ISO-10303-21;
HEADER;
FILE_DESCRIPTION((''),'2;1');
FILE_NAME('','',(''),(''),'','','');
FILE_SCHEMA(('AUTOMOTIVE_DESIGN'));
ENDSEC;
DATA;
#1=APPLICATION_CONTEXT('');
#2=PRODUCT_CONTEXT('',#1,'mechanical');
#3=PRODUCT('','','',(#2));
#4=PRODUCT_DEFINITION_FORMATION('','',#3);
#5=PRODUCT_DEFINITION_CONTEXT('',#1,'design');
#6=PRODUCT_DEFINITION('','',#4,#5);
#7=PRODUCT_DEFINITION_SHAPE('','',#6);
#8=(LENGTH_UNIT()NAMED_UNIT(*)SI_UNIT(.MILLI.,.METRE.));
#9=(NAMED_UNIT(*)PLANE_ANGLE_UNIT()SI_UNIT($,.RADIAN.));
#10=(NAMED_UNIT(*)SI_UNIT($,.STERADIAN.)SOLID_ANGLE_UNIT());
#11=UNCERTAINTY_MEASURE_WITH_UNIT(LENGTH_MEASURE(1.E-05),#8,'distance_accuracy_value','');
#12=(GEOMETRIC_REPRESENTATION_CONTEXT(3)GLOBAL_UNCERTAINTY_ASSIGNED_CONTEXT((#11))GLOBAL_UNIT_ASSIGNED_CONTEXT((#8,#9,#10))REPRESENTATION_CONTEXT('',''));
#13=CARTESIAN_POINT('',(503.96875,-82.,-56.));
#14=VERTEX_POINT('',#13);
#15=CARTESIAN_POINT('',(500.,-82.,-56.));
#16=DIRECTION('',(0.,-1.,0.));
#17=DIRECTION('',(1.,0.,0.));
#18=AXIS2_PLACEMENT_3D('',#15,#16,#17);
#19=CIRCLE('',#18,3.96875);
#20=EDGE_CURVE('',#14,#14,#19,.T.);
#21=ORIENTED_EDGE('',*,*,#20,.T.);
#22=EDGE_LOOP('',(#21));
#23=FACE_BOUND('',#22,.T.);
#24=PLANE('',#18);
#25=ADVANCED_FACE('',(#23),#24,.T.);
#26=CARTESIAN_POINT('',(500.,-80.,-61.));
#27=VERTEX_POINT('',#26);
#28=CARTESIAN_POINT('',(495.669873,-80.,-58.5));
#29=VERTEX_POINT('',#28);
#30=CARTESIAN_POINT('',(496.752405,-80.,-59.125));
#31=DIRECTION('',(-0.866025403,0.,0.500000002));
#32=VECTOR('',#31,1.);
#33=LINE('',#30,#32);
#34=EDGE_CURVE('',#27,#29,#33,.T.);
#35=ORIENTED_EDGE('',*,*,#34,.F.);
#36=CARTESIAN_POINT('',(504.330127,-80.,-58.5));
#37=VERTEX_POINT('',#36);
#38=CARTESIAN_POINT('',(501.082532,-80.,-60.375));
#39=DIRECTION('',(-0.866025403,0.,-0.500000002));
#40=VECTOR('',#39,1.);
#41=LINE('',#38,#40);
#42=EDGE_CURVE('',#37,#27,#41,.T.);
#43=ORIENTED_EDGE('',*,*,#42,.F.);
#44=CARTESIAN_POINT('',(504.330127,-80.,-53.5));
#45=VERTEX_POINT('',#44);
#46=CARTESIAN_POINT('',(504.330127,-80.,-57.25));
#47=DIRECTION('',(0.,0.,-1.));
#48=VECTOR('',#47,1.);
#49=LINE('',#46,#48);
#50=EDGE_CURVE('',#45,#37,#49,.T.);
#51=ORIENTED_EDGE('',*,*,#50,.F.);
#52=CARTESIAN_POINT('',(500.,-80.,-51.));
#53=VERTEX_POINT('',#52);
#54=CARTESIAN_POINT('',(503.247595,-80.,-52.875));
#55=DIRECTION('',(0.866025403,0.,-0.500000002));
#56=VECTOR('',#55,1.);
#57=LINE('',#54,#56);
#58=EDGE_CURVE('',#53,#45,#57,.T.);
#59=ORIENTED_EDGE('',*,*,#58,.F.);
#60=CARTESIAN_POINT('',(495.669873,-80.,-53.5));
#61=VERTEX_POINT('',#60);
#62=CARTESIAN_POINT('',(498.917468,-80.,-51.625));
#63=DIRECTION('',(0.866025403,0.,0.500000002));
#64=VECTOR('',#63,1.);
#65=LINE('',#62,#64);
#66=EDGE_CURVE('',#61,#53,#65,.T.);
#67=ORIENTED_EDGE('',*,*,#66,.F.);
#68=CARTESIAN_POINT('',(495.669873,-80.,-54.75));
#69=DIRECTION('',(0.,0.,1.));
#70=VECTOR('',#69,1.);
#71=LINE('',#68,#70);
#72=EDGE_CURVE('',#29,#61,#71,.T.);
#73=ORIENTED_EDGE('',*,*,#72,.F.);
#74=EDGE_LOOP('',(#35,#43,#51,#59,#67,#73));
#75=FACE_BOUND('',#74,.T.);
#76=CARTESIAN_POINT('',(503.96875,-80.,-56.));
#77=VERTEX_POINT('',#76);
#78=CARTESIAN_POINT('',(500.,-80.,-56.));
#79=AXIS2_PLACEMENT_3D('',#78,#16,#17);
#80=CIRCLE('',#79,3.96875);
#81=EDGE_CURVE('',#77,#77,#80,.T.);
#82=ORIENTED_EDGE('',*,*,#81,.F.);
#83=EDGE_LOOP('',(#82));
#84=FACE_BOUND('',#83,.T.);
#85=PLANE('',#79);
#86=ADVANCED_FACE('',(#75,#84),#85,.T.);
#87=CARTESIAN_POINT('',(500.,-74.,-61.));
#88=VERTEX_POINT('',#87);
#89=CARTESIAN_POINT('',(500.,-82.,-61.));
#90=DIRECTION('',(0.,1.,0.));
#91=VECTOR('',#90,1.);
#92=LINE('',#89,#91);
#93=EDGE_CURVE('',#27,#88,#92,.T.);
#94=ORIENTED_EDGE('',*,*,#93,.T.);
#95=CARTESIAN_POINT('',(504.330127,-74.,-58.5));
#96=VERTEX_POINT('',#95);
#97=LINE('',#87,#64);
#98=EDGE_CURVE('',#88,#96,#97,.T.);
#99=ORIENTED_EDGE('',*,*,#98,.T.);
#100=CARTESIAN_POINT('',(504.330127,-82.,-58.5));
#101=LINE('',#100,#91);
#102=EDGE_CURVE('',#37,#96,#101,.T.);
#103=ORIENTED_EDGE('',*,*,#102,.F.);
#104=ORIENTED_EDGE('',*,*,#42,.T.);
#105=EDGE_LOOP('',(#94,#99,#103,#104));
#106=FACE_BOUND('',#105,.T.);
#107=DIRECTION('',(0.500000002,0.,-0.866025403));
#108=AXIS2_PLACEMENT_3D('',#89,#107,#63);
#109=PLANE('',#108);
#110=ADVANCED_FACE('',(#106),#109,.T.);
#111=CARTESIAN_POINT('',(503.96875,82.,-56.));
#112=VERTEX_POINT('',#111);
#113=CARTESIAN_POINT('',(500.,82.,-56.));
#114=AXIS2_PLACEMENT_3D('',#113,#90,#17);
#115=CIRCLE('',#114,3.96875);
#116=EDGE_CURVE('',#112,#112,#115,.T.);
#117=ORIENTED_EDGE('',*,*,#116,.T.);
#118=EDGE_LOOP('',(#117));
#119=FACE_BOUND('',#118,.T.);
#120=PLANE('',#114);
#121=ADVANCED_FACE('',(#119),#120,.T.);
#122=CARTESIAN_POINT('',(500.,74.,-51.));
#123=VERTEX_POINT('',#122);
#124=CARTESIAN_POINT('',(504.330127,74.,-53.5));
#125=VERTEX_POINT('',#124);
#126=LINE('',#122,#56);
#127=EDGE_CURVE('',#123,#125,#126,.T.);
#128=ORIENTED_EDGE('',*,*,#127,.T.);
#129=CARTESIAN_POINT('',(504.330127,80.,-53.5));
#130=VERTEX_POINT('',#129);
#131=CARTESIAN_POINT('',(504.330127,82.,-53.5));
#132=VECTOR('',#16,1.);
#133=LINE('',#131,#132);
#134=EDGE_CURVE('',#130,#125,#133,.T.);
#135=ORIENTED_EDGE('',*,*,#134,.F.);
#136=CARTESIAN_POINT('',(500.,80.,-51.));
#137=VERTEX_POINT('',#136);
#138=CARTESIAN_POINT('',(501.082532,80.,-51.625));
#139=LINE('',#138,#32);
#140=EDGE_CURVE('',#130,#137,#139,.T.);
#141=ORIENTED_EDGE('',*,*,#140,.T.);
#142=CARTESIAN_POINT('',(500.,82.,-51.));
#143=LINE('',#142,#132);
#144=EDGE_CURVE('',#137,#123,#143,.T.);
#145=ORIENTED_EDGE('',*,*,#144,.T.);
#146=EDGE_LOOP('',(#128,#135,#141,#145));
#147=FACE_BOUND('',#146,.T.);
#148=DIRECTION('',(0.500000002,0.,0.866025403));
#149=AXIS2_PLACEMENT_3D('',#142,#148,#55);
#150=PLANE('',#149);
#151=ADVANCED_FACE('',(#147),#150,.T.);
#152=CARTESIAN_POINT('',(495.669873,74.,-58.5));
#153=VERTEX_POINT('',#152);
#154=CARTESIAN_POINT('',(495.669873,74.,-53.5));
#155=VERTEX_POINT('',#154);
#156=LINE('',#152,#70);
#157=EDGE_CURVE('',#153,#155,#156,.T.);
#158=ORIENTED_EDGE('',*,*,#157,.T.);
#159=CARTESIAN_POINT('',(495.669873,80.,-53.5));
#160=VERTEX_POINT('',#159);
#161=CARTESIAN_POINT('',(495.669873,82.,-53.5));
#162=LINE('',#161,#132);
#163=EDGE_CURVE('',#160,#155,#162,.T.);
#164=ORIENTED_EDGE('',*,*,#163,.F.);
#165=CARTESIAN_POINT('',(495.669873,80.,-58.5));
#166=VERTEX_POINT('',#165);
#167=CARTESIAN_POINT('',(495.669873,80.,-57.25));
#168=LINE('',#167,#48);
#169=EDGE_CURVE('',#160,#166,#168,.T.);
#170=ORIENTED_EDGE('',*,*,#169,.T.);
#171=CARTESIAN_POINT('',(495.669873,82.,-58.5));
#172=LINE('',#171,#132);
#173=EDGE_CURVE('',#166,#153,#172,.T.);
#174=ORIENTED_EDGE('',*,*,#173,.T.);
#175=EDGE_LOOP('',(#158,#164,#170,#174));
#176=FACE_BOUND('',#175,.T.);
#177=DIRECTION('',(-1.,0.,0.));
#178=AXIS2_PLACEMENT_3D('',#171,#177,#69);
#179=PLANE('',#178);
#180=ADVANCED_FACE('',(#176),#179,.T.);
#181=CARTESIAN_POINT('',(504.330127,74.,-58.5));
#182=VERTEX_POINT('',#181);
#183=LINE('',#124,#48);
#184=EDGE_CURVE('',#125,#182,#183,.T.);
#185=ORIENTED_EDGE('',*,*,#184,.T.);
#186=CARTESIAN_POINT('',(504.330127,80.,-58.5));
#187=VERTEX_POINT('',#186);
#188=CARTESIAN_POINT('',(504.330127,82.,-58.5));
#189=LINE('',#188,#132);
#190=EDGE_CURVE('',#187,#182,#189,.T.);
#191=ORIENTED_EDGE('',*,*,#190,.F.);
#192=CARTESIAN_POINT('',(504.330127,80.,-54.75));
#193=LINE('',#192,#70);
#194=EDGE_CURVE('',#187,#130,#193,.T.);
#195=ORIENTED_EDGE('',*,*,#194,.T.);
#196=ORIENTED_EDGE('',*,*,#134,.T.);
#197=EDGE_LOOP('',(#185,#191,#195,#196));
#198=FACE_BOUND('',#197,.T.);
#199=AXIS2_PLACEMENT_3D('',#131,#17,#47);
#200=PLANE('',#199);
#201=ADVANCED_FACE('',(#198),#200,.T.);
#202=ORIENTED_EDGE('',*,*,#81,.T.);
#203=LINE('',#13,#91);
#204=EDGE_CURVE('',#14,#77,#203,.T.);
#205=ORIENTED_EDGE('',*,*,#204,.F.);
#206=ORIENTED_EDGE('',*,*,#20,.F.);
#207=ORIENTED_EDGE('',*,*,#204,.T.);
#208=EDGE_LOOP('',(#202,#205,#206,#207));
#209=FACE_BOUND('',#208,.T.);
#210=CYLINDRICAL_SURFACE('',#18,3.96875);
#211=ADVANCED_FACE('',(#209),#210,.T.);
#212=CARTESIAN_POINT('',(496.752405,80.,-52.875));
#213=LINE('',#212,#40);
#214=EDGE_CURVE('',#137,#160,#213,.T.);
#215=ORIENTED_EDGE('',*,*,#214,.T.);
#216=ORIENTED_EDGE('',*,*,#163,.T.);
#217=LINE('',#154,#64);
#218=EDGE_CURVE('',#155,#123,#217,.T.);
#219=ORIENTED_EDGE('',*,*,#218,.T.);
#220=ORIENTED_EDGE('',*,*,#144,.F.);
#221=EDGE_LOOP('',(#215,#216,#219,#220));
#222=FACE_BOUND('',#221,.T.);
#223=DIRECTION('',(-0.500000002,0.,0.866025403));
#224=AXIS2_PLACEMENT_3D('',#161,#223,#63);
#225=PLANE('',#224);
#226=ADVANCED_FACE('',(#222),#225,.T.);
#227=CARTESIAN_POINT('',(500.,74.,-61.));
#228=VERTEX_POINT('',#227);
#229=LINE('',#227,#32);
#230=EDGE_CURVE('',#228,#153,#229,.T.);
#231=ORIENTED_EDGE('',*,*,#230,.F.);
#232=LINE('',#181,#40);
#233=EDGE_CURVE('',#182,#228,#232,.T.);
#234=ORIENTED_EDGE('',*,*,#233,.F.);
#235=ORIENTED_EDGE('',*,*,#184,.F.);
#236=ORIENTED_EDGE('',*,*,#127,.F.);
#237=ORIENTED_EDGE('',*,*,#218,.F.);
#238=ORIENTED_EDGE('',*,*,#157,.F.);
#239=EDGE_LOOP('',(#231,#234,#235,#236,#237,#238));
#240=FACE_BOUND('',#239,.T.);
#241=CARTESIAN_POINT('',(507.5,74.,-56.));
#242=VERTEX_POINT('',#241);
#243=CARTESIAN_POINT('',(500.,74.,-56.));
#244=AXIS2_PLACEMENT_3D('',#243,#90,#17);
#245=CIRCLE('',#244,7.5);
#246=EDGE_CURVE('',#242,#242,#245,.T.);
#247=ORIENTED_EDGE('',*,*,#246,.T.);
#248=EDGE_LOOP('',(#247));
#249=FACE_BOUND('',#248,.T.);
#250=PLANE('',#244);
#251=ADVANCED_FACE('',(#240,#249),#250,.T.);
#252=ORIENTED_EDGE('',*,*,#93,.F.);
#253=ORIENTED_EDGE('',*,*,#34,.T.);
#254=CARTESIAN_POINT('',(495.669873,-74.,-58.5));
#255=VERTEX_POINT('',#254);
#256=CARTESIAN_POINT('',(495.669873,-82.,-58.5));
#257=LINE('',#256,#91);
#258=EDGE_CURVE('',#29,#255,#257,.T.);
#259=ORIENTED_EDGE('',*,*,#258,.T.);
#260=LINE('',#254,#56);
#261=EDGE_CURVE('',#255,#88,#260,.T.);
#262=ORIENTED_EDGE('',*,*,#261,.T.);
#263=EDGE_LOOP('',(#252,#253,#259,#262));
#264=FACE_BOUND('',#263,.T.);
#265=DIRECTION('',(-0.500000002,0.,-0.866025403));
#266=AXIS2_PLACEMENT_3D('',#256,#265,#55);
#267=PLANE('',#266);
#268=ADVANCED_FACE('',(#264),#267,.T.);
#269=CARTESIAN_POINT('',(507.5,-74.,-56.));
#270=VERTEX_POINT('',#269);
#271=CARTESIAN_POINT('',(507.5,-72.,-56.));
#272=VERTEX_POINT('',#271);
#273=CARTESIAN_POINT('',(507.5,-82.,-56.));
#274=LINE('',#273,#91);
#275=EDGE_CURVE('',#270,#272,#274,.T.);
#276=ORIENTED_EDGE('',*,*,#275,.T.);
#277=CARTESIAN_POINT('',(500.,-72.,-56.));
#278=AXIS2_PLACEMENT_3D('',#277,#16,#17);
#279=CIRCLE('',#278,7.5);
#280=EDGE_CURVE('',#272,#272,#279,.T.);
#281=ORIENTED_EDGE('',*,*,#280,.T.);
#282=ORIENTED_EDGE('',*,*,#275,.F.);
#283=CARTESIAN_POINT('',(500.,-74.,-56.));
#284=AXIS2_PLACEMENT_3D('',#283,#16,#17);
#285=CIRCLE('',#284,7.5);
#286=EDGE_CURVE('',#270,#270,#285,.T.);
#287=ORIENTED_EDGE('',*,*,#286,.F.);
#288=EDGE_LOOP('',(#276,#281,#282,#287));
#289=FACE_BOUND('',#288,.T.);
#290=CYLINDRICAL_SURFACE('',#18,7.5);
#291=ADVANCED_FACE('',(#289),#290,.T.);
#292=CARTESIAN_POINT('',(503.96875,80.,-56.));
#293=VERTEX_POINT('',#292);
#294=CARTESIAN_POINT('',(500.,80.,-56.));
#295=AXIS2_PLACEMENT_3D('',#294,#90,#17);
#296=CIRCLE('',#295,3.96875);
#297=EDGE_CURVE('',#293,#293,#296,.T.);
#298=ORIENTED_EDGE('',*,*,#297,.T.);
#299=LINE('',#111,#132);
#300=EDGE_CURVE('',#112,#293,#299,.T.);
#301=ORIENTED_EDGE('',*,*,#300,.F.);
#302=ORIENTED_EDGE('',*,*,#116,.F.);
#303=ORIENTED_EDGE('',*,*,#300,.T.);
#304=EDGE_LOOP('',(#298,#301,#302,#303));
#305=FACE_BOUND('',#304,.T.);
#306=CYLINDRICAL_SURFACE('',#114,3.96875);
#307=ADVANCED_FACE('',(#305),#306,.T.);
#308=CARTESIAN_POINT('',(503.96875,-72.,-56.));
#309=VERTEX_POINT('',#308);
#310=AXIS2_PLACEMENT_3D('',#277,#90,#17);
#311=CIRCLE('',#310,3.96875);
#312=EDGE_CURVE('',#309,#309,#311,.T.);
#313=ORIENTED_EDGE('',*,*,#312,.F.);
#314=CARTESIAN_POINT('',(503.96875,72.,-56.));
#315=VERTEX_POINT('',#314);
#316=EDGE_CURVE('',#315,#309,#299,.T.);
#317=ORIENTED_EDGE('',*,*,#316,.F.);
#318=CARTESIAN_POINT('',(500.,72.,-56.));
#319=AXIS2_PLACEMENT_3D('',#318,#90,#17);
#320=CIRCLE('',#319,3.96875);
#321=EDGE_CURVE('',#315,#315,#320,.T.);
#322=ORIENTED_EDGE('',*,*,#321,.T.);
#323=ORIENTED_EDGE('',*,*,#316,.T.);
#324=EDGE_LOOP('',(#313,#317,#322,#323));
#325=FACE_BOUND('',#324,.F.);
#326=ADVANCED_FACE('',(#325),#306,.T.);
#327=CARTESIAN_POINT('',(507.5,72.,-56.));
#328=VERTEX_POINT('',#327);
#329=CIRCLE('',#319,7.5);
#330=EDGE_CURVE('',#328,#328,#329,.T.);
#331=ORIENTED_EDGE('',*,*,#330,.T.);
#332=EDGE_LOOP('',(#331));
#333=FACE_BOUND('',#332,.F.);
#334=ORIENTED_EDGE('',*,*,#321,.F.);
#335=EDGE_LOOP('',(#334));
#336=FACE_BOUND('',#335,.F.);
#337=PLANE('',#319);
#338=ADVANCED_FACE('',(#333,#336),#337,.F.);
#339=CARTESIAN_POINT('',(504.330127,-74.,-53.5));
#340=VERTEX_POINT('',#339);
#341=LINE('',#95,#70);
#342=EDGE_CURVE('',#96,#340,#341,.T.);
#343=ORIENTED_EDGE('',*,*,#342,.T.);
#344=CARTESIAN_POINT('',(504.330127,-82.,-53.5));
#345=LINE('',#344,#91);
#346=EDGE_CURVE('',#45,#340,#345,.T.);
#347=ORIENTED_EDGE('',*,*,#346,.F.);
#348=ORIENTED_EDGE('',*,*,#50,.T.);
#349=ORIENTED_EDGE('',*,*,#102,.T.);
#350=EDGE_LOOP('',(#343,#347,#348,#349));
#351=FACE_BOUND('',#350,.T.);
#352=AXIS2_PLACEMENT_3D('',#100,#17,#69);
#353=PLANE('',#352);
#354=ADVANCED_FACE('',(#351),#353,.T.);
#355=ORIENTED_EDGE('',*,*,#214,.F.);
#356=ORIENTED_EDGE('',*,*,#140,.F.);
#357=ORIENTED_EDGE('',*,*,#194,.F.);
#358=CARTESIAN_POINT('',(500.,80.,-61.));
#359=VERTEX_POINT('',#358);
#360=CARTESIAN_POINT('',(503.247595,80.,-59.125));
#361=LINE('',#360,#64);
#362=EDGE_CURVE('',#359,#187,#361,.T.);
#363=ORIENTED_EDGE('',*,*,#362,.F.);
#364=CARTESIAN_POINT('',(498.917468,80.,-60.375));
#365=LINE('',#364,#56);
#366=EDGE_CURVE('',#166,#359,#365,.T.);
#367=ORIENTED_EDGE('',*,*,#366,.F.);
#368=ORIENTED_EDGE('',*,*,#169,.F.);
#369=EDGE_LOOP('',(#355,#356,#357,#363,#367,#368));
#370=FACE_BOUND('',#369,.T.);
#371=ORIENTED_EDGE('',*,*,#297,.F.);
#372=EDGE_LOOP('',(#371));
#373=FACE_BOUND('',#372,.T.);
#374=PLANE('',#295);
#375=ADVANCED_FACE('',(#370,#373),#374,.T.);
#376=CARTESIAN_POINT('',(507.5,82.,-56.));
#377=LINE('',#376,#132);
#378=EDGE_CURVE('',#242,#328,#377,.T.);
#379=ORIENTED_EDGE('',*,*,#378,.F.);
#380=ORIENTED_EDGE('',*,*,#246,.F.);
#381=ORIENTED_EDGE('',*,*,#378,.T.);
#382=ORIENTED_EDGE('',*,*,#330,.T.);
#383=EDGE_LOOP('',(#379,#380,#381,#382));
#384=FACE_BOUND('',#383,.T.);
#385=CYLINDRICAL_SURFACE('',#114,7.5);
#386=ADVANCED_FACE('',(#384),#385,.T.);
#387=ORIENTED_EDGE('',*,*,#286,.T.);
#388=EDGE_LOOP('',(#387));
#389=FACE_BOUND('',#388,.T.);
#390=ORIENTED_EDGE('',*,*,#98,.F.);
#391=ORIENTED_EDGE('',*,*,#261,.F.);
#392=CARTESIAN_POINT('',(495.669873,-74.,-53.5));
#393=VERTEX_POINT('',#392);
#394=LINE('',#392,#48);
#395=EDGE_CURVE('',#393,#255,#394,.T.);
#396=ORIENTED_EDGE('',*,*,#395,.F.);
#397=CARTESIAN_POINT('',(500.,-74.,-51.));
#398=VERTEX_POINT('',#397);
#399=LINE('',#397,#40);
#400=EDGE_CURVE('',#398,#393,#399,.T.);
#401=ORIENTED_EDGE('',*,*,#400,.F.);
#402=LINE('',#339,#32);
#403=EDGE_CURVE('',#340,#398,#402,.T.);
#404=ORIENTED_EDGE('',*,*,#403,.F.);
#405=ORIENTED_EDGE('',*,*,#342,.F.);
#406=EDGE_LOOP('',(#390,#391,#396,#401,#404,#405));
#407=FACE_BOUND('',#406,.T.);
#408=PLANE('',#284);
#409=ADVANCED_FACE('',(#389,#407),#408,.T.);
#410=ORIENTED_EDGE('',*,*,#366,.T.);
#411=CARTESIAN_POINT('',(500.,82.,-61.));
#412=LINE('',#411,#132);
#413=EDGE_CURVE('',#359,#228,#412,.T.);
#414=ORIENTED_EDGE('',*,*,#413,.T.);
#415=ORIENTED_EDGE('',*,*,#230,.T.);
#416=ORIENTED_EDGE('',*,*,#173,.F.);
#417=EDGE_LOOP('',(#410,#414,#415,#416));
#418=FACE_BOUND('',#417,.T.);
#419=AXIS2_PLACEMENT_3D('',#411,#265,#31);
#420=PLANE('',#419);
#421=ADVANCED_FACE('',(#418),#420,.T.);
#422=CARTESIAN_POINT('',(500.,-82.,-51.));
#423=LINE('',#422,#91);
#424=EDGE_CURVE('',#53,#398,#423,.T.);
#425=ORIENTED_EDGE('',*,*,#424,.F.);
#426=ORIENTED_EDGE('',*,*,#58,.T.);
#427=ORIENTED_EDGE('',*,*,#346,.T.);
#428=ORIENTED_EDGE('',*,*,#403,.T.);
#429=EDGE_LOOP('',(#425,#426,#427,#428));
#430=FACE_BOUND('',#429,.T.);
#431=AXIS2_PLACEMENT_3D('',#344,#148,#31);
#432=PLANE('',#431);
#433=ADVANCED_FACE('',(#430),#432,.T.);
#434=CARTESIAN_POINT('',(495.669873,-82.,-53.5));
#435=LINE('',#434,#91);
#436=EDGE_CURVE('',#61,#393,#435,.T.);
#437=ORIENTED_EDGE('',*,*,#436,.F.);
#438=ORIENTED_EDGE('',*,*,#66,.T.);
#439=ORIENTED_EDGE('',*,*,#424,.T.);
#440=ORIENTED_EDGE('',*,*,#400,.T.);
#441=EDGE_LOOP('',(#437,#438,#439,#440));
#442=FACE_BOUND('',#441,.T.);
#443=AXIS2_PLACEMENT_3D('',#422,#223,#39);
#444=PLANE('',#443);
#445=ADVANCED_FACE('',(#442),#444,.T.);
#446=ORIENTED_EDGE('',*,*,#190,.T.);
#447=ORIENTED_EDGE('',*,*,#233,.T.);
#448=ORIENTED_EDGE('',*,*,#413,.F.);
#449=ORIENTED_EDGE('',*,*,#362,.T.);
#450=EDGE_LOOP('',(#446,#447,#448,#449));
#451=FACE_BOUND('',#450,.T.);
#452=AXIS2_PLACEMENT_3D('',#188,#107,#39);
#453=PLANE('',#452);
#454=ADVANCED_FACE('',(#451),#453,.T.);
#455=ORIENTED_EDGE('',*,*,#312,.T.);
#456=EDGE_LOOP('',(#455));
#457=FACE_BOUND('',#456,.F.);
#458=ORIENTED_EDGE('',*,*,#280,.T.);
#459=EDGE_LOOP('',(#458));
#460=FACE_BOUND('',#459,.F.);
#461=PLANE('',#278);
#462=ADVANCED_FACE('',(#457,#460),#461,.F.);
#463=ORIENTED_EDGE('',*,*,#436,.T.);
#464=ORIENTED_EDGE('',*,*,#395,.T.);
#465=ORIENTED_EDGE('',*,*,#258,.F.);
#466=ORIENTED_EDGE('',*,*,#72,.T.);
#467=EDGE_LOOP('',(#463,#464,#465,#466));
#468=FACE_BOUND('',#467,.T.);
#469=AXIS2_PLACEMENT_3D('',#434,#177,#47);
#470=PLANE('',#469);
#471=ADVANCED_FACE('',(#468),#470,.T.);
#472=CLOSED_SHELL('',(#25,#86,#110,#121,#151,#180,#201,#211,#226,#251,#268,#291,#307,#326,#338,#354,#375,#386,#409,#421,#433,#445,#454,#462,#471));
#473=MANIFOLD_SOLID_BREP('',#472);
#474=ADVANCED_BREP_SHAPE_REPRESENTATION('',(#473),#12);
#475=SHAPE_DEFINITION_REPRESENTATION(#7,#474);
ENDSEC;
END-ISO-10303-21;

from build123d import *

# Parameters (mm, degrees)
SKETCH013_R     = 3.96875
PAD009_DEPTH    = 164
SKETCH014_R     = 7.5
PAD010_DEPTH    = 10
SKETCH015_R     = 7.5
POCKET003_DEPTH = 8
SKETCH016_R     = 7.5
SKETCH016_R_2   = 3.96875
POCKET004_DEPTH = 2
SKETCH017_R     = 7.5
PAD011_DEPTH    = 10
SKETCH018_R     = 7.5
POCKET005_DEPTH = 8
SKETCH019_R     = 7.5
SKETCH019_R_2   = 3.96875
POCKET006_DEPTH = 2


with BuildPart() as part:
    # Sketch013 → Pad009 (new body)
    with BuildSketch(Plane(origin=(500, 82, 56), x_dir=(1, 0, 0), z_dir=(0, -1, 0))):
        Circle(SKETCH013_R)
    extrude(amount=PAD009_DEPTH)

    # Sketch014 → Pad010 (new body)
    with BuildSketch(Plane(origin=(500, 82, 56), x_dir=(1, 0, 0), z_dir=(0, 1, 0))):
        Circle(SKETCH014_R)
    extrude(amount=-PAD010_DEPTH)

    # Sketch015 → Pocket003 (cut)
    with BuildSketch(Plane(origin=(500, 82, 56), x_dir=(1, 0, 0), z_dir=(0, 1, 0))):
        Circle(SKETCH015_R)
        Polygon((0, 5), (-4.330127, 2.5), (-4.330127, -2.5), (0, -5), (4.330127, -2.5), (4.330127, 2.5), align=None, mode=Mode.SUBTRACT)
    extrude(amount=-POCKET003_DEPTH, mode=Mode.SUBTRACT)

    # Sketch016 → Pocket004 (cut)
    with BuildSketch(Plane(origin=(500, 82, 56), x_dir=(1, 0, 0), z_dir=(0, 1, 0))):
        Circle(SKETCH016_R)
        Circle(SKETCH016_R_2, mode=Mode.SUBTRACT)
    extrude(amount=-POCKET004_DEPTH, mode=Mode.SUBTRACT)

    # Sketch017 → Pad011 (new body)
    with BuildSketch(Plane(origin=(500, -82, 56), x_dir=(1, 0, 0), z_dir=(0, -1, 0))):
        Circle(SKETCH017_R)
    extrude(amount=-PAD011_DEPTH)

    # Sketch018 → Pocket005 (cut)
    with BuildSketch(Plane(origin=(500, -82, 56), x_dir=(1, 0, 0), z_dir=(0, -1, 0))):
        Circle(SKETCH018_R)
        Polygon((0, 5), (-4.330127, 2.5), (-4.330127, -2.5), (0, -5), (4.330127, -2.5), (4.330127, 2.5), align=None, mode=Mode.SUBTRACT)
    extrude(amount=-POCKET005_DEPTH, mode=Mode.SUBTRACT)

    # Sketch019 → Pocket006 (cut)
    with BuildSketch(Plane(origin=(500, -82, 56), x_dir=(1, 0, 0), z_dir=(0, -1, 0))):
        Circle(SKETCH019_R)
        Circle(SKETCH019_R_2, mode=Mode.SUBTRACT)
    extrude(amount=-POCKET006_DEPTH, mode=Mode.SUBTRACT)


with BuildPart() as part_1:
    # Clone015 placement: moved
    add(part.part.moved(Location((0, 0, -112))))


solid = part_1.part
